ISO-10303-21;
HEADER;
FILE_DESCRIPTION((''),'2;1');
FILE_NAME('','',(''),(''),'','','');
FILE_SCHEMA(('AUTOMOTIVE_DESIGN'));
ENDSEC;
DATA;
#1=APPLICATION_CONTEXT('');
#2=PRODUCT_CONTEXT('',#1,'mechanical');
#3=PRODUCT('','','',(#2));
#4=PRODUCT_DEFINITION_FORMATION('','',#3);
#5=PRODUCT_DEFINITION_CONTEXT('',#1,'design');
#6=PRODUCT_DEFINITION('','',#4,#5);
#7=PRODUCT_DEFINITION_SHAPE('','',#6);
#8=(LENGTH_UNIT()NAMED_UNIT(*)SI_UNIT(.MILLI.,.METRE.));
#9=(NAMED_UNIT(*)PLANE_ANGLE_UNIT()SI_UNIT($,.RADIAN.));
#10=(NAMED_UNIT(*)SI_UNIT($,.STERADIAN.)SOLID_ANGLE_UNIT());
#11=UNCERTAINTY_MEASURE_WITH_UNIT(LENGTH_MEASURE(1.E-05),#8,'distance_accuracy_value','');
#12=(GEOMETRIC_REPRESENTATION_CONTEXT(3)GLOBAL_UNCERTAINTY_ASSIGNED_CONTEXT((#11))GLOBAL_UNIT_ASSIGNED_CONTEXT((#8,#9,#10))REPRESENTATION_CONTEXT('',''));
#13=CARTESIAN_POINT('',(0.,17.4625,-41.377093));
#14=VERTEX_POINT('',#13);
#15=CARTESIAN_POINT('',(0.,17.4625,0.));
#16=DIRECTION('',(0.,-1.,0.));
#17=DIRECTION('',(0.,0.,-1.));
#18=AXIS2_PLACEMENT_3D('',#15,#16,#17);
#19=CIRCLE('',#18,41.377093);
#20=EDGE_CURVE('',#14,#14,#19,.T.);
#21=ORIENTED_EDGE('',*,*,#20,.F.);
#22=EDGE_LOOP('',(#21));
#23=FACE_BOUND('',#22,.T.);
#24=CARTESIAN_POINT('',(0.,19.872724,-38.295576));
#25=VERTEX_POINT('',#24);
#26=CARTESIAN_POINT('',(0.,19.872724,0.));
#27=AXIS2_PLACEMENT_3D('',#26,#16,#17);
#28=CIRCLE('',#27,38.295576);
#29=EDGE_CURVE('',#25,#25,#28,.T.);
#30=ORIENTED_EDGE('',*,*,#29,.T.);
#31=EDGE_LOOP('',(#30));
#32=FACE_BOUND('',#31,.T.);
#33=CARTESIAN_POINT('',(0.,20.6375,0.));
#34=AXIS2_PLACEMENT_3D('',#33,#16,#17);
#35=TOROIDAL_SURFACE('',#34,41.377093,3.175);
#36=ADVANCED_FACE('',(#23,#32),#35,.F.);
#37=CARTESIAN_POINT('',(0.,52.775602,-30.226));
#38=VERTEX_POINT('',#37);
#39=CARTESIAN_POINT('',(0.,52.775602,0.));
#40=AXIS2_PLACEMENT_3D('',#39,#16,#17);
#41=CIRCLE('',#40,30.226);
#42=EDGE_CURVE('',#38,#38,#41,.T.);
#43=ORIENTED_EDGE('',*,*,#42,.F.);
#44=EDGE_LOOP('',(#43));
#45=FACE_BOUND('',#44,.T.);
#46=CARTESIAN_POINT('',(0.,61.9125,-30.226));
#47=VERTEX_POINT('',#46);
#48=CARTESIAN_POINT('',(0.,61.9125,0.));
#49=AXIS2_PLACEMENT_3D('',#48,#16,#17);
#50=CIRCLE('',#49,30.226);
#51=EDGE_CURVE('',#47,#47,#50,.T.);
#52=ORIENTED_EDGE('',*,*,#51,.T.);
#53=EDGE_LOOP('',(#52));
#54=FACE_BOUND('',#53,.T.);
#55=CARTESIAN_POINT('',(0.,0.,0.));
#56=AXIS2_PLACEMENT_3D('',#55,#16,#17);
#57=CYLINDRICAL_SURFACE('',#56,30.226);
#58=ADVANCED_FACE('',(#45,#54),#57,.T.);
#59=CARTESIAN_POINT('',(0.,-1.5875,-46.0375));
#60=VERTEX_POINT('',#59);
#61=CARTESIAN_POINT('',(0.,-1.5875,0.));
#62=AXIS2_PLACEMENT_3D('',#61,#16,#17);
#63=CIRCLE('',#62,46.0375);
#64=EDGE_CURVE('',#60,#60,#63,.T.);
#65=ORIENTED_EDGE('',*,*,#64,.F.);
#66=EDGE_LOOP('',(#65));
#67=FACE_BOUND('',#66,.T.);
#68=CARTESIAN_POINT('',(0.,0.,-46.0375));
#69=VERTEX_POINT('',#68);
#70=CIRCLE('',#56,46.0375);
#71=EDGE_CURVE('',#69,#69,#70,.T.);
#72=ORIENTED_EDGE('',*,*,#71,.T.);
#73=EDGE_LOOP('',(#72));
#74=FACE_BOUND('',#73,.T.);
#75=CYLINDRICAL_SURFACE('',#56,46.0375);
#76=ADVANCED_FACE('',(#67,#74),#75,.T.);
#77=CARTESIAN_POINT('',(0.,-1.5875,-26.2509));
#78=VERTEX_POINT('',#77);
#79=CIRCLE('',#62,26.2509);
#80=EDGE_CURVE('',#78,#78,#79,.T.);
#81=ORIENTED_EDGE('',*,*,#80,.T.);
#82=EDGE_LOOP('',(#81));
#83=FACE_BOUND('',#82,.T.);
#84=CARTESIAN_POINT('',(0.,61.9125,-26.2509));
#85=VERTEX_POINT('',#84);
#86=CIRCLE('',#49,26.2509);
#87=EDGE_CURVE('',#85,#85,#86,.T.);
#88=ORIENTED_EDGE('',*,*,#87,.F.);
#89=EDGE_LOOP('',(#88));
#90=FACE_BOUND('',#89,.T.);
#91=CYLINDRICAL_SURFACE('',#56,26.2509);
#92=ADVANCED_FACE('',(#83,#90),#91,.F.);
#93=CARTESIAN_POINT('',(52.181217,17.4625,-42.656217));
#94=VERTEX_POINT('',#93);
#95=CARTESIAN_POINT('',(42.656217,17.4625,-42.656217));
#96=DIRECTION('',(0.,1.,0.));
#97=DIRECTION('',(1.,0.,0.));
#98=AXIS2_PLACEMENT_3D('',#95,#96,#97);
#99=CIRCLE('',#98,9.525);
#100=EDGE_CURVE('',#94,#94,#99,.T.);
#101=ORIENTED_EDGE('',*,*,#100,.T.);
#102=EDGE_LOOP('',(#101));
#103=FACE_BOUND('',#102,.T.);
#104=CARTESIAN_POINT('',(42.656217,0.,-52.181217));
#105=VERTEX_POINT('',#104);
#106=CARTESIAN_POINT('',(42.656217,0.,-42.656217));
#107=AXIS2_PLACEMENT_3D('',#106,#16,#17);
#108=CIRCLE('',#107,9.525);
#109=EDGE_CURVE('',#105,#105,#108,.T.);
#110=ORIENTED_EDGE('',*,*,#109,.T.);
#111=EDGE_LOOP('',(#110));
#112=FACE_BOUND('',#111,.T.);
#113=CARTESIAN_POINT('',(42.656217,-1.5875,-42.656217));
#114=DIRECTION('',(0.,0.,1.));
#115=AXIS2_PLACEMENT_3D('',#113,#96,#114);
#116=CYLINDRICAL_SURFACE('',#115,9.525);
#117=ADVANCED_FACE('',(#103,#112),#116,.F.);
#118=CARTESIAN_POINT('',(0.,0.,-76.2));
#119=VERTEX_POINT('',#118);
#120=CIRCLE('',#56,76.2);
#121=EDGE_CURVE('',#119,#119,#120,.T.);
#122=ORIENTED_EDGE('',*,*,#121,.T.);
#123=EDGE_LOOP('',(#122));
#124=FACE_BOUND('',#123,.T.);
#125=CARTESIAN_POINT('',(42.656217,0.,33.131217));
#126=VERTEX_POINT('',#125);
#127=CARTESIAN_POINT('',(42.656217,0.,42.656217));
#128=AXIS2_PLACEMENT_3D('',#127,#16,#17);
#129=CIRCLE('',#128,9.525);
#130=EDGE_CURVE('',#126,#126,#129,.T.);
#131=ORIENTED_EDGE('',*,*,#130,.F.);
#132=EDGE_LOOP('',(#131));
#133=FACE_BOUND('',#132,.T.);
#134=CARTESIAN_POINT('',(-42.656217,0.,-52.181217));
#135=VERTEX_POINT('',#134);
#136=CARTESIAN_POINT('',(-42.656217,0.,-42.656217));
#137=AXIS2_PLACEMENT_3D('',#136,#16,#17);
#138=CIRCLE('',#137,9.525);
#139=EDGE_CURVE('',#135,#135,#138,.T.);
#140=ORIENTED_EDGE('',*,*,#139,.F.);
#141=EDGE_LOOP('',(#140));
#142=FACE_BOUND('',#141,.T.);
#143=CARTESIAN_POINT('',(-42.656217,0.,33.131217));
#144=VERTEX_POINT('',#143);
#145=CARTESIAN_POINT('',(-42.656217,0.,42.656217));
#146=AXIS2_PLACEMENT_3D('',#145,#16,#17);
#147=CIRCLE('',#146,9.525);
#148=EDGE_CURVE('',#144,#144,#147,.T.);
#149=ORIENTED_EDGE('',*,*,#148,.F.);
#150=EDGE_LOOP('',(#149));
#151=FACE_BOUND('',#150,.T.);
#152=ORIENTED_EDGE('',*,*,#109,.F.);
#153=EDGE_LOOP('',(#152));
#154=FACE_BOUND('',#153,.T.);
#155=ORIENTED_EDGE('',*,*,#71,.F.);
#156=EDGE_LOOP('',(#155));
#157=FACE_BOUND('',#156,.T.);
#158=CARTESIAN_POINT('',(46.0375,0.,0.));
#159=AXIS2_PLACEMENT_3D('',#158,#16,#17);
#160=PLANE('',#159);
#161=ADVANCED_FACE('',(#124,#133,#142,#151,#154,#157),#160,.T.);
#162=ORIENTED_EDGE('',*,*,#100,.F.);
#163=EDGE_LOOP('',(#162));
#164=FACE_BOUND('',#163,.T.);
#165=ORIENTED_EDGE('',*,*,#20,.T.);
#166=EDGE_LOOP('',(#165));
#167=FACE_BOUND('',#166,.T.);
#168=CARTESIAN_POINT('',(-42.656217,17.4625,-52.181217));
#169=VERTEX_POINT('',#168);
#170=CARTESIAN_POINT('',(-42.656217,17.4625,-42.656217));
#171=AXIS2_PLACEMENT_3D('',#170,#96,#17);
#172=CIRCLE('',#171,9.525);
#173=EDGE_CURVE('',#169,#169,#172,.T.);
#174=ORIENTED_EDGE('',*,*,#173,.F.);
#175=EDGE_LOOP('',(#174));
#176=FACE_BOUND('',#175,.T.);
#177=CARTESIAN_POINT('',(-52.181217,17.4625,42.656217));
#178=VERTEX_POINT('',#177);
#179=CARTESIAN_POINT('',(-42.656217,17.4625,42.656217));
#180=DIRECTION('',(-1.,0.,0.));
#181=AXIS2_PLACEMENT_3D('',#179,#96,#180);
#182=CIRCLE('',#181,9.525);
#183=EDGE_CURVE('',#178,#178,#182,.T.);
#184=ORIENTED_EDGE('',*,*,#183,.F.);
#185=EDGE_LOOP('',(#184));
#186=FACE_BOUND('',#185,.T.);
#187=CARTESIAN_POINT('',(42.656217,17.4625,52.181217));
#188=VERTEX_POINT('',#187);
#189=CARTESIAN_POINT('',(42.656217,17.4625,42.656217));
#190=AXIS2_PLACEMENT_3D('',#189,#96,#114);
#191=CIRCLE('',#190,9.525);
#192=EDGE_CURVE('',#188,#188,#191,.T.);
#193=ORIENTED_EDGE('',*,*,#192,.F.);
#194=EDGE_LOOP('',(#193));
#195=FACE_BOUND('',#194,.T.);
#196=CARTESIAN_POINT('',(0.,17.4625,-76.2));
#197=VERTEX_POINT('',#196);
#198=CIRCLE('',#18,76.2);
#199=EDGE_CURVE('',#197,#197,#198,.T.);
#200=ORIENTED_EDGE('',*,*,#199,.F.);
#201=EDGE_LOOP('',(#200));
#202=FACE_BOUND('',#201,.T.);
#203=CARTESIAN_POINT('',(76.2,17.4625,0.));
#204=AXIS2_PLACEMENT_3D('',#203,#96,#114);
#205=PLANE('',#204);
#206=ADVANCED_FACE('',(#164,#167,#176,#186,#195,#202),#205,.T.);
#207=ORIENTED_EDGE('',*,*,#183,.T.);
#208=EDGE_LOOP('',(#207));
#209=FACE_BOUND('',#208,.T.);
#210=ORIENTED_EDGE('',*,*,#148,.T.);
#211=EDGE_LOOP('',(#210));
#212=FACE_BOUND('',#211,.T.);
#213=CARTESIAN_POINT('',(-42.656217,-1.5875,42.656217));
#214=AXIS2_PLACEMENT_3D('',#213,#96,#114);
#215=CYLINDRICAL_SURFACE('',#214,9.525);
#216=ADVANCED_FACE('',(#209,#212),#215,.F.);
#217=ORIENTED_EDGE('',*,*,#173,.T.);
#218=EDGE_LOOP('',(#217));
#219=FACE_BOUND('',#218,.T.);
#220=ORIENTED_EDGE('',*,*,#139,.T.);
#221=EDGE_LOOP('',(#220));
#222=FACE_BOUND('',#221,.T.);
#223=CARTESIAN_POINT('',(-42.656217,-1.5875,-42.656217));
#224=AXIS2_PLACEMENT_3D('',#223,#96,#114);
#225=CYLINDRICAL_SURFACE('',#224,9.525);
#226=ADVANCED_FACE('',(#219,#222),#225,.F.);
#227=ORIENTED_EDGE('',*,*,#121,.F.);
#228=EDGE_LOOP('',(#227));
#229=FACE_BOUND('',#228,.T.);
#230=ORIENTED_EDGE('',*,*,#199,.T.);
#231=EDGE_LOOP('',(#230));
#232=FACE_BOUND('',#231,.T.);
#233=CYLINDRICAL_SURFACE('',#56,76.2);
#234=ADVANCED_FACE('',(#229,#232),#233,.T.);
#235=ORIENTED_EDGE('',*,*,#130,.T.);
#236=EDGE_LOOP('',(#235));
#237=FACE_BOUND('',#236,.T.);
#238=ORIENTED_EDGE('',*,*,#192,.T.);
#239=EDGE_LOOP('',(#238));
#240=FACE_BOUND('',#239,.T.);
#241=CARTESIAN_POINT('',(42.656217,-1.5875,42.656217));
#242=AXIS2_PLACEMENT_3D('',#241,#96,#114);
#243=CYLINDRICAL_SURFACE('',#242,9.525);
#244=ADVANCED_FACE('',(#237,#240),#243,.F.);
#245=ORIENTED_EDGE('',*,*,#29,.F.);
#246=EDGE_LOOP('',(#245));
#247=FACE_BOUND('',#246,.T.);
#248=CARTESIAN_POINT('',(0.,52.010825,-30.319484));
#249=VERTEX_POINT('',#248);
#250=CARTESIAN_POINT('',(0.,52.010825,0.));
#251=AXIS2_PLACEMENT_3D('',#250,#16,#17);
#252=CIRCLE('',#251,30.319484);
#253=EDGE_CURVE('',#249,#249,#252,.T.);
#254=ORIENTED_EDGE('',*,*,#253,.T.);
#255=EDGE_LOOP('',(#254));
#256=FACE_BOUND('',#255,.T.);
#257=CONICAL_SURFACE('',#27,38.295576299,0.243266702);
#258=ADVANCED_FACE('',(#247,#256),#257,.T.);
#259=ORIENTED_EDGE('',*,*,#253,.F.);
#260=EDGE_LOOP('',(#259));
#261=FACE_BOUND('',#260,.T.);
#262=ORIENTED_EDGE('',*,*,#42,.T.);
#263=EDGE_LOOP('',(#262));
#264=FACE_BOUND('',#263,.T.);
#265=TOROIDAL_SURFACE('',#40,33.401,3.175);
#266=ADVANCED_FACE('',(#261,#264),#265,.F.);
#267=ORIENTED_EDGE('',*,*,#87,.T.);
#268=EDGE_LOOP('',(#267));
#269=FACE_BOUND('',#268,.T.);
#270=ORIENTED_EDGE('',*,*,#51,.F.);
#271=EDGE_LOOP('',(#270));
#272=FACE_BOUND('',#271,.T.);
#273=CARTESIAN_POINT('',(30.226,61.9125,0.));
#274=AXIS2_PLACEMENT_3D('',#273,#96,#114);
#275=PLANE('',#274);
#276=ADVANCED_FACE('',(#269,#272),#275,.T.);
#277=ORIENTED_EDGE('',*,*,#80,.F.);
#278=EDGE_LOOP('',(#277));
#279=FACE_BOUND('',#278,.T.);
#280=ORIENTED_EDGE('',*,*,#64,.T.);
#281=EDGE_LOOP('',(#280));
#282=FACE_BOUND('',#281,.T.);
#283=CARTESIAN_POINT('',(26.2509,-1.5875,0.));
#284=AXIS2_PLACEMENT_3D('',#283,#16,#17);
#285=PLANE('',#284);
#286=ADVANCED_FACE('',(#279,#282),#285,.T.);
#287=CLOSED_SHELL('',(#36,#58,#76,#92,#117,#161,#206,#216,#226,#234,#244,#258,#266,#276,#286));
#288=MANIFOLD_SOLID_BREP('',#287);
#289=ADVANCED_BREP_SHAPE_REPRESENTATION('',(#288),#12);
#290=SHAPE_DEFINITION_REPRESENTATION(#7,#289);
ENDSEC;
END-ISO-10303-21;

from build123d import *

# Parameters (mm, degrees)
SKETCH4_R               = 9.525
F_1ST_BOLT_HOLE_DEPTH   = 20.05
BOLT_HOLE_PATTERN_COUNT = 4


with BuildPart() as part:
    # Sketch3 → Base-Revolve (revolve)
    with BuildSketch(Plane.XY):
        with BuildLine():
            Line((26.2509, 61.9125), (26.2509, -1.5875))
            Line((26.2509, -1.5875), (46.0375, -1.5875))
            Line((46.0375, -1.5875), (46.0375, 0))
            Line((46.0375, 0), (76.2, 0))
            Line((76.2, 0), (76.2, 17.4625))
            Line((76.2, 17.4625), (41.377092519, 17.4625))
            ThreePointArc((41.377092519, 17.4625), (39.421017335, 18.13662118), (38.295576299, 19.872723702))
            Line((38.295576299, 19.872723702), (30.31948378, 52.010825428))
            ThreePointArc((30.31948378, 52.010825428), (30.2494576, 52.390367381), (30.226, 52.775601727))
            Line((30.226, 52.775601727), (30.226, 61.9125))
            Line((30.226, 61.9125), (26.2509, 61.9125))
        make_face()
    revolve(axis=Axis((0, 0, 0), (0, 1, 0)))

    # Sketch4 → 1st Bolt Hole (cut, through all)
    with BuildSketch(Plane(origin=(0, 17.4625, 0), x_dir=(-1, 0, 0), z_dir=(0, 1, 0))):
        with Locations((-42.656216575, 42.656216575)):
            Circle(SKETCH4_R)
    f_1st_bolt_hole = extrude(amount=-F_1ST_BOLT_HOLE_DEPTH, mode=Mode.SUBTRACT)

    # Bolt Hole Pattern: 1st Bolt Hole ×4 about axis
    bolt_hole_pattern_axis = Axis((0, 0, 0), (0, 1, 0))
    for i in range(1, BOLT_HOLE_PATTERN_COUNT):
        add(f_1st_bolt_hole.rotate(bolt_hole_pattern_axis, i * 360 / BOLT_HOLE_PATTERN_COUNT), mode=Mode.SUBTRACT)


solid = part.part
